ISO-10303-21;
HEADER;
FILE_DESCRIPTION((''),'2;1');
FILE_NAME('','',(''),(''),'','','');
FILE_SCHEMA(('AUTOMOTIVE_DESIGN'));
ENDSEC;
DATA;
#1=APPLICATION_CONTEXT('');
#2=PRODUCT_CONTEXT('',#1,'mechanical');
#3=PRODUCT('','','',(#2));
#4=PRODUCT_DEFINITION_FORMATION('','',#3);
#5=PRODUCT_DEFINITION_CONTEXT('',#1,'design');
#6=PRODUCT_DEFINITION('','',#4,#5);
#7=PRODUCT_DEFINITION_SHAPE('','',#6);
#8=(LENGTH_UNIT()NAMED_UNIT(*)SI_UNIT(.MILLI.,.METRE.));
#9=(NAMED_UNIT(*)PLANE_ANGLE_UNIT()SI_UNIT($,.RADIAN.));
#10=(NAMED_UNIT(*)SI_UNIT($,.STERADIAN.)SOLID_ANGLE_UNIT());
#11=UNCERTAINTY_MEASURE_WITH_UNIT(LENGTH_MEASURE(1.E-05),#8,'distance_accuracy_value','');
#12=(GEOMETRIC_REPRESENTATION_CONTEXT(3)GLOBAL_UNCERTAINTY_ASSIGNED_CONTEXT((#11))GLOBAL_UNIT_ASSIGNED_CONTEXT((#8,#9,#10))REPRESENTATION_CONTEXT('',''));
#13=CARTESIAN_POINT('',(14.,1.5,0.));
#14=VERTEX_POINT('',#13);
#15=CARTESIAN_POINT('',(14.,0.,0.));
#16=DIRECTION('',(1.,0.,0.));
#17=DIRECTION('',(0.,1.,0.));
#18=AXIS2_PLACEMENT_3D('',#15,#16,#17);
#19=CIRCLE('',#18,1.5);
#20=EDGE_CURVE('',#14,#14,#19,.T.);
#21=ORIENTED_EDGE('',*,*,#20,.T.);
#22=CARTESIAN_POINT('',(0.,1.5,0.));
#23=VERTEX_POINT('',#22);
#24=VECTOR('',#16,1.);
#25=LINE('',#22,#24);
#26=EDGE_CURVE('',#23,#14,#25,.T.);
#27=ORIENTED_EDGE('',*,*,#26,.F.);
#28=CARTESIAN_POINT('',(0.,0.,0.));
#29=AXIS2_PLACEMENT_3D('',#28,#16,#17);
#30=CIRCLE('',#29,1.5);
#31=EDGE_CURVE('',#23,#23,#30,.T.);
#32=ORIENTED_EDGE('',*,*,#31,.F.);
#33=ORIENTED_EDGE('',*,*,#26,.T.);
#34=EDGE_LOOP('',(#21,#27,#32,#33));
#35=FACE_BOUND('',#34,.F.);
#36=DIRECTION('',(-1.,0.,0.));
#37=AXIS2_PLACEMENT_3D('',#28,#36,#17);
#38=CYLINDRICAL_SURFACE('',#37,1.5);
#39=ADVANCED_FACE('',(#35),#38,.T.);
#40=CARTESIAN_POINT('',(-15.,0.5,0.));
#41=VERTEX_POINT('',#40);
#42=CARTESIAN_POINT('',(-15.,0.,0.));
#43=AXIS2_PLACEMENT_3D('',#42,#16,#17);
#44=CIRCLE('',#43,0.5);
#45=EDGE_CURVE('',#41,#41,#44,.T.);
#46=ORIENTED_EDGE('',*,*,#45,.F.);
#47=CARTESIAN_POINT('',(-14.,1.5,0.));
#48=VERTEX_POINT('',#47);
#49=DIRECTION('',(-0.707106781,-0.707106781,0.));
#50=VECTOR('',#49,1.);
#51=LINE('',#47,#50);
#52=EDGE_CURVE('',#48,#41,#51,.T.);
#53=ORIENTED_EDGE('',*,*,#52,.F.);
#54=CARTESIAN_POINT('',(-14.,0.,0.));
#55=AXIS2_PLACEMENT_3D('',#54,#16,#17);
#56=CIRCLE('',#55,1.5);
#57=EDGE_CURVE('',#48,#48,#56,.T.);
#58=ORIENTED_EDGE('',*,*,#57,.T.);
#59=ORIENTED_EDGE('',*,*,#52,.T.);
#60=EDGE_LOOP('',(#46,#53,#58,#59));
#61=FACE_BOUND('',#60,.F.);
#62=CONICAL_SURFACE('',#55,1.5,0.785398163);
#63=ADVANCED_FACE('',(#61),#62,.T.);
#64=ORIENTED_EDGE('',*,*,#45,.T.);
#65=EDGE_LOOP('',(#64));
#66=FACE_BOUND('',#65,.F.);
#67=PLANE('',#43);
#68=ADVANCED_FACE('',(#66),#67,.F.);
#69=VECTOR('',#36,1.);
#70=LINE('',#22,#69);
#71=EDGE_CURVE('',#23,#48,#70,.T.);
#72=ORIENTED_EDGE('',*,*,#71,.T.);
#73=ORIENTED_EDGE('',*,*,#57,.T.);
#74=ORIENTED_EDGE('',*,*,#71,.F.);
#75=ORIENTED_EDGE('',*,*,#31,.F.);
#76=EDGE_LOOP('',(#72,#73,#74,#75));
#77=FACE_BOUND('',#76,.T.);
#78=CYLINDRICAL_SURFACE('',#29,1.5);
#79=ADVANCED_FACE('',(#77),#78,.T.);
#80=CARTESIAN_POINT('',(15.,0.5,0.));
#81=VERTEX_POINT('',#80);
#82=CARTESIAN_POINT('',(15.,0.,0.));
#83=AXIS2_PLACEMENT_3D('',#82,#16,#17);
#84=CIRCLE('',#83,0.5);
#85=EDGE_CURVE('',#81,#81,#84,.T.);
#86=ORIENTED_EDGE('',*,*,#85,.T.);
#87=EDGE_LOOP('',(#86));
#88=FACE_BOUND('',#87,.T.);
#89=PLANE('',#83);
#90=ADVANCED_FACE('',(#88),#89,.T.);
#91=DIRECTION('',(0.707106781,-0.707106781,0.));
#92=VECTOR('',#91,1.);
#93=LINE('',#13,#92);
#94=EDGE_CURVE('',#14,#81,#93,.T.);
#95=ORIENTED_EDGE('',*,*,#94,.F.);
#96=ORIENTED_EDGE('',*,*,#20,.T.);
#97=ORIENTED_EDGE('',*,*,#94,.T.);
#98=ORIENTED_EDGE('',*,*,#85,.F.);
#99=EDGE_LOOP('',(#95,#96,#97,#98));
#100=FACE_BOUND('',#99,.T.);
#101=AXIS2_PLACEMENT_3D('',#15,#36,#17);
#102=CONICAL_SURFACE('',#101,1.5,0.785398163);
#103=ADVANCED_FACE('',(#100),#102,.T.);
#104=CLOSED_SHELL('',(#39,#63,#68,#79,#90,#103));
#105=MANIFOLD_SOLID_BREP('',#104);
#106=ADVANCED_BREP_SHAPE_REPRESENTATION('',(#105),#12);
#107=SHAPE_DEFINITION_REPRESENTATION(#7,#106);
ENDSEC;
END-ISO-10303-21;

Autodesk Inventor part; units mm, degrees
ref_plane "YZ Plane" through (0, 0, 0) normal (1, 0, 0) x (0, 1, 0)
ref_plane "XZ Plane" through (0, 0, 0) normal (0, 1, 0) x (-1, 0, 0)
ref_plane "XY Plane" through (0, 0, 0) normal (0, 0, 1) x (1, 0, 0)
sketch "Sketch1" plane through (0, 0, 0) normal (1, 0, 0) x (0, 1, 0)
  circle A0 centre (0, 0) radius 1.5
  dimension "d0" = 3
extrude "Extrusion1" add sketch "Sketch1" along normal mid plane 30
chamfer "Chamfer1" distance 1 angle 45 2 edges at (15, -1.5, 0) (-15, -1.5, 0)
properties part number "eje20"
